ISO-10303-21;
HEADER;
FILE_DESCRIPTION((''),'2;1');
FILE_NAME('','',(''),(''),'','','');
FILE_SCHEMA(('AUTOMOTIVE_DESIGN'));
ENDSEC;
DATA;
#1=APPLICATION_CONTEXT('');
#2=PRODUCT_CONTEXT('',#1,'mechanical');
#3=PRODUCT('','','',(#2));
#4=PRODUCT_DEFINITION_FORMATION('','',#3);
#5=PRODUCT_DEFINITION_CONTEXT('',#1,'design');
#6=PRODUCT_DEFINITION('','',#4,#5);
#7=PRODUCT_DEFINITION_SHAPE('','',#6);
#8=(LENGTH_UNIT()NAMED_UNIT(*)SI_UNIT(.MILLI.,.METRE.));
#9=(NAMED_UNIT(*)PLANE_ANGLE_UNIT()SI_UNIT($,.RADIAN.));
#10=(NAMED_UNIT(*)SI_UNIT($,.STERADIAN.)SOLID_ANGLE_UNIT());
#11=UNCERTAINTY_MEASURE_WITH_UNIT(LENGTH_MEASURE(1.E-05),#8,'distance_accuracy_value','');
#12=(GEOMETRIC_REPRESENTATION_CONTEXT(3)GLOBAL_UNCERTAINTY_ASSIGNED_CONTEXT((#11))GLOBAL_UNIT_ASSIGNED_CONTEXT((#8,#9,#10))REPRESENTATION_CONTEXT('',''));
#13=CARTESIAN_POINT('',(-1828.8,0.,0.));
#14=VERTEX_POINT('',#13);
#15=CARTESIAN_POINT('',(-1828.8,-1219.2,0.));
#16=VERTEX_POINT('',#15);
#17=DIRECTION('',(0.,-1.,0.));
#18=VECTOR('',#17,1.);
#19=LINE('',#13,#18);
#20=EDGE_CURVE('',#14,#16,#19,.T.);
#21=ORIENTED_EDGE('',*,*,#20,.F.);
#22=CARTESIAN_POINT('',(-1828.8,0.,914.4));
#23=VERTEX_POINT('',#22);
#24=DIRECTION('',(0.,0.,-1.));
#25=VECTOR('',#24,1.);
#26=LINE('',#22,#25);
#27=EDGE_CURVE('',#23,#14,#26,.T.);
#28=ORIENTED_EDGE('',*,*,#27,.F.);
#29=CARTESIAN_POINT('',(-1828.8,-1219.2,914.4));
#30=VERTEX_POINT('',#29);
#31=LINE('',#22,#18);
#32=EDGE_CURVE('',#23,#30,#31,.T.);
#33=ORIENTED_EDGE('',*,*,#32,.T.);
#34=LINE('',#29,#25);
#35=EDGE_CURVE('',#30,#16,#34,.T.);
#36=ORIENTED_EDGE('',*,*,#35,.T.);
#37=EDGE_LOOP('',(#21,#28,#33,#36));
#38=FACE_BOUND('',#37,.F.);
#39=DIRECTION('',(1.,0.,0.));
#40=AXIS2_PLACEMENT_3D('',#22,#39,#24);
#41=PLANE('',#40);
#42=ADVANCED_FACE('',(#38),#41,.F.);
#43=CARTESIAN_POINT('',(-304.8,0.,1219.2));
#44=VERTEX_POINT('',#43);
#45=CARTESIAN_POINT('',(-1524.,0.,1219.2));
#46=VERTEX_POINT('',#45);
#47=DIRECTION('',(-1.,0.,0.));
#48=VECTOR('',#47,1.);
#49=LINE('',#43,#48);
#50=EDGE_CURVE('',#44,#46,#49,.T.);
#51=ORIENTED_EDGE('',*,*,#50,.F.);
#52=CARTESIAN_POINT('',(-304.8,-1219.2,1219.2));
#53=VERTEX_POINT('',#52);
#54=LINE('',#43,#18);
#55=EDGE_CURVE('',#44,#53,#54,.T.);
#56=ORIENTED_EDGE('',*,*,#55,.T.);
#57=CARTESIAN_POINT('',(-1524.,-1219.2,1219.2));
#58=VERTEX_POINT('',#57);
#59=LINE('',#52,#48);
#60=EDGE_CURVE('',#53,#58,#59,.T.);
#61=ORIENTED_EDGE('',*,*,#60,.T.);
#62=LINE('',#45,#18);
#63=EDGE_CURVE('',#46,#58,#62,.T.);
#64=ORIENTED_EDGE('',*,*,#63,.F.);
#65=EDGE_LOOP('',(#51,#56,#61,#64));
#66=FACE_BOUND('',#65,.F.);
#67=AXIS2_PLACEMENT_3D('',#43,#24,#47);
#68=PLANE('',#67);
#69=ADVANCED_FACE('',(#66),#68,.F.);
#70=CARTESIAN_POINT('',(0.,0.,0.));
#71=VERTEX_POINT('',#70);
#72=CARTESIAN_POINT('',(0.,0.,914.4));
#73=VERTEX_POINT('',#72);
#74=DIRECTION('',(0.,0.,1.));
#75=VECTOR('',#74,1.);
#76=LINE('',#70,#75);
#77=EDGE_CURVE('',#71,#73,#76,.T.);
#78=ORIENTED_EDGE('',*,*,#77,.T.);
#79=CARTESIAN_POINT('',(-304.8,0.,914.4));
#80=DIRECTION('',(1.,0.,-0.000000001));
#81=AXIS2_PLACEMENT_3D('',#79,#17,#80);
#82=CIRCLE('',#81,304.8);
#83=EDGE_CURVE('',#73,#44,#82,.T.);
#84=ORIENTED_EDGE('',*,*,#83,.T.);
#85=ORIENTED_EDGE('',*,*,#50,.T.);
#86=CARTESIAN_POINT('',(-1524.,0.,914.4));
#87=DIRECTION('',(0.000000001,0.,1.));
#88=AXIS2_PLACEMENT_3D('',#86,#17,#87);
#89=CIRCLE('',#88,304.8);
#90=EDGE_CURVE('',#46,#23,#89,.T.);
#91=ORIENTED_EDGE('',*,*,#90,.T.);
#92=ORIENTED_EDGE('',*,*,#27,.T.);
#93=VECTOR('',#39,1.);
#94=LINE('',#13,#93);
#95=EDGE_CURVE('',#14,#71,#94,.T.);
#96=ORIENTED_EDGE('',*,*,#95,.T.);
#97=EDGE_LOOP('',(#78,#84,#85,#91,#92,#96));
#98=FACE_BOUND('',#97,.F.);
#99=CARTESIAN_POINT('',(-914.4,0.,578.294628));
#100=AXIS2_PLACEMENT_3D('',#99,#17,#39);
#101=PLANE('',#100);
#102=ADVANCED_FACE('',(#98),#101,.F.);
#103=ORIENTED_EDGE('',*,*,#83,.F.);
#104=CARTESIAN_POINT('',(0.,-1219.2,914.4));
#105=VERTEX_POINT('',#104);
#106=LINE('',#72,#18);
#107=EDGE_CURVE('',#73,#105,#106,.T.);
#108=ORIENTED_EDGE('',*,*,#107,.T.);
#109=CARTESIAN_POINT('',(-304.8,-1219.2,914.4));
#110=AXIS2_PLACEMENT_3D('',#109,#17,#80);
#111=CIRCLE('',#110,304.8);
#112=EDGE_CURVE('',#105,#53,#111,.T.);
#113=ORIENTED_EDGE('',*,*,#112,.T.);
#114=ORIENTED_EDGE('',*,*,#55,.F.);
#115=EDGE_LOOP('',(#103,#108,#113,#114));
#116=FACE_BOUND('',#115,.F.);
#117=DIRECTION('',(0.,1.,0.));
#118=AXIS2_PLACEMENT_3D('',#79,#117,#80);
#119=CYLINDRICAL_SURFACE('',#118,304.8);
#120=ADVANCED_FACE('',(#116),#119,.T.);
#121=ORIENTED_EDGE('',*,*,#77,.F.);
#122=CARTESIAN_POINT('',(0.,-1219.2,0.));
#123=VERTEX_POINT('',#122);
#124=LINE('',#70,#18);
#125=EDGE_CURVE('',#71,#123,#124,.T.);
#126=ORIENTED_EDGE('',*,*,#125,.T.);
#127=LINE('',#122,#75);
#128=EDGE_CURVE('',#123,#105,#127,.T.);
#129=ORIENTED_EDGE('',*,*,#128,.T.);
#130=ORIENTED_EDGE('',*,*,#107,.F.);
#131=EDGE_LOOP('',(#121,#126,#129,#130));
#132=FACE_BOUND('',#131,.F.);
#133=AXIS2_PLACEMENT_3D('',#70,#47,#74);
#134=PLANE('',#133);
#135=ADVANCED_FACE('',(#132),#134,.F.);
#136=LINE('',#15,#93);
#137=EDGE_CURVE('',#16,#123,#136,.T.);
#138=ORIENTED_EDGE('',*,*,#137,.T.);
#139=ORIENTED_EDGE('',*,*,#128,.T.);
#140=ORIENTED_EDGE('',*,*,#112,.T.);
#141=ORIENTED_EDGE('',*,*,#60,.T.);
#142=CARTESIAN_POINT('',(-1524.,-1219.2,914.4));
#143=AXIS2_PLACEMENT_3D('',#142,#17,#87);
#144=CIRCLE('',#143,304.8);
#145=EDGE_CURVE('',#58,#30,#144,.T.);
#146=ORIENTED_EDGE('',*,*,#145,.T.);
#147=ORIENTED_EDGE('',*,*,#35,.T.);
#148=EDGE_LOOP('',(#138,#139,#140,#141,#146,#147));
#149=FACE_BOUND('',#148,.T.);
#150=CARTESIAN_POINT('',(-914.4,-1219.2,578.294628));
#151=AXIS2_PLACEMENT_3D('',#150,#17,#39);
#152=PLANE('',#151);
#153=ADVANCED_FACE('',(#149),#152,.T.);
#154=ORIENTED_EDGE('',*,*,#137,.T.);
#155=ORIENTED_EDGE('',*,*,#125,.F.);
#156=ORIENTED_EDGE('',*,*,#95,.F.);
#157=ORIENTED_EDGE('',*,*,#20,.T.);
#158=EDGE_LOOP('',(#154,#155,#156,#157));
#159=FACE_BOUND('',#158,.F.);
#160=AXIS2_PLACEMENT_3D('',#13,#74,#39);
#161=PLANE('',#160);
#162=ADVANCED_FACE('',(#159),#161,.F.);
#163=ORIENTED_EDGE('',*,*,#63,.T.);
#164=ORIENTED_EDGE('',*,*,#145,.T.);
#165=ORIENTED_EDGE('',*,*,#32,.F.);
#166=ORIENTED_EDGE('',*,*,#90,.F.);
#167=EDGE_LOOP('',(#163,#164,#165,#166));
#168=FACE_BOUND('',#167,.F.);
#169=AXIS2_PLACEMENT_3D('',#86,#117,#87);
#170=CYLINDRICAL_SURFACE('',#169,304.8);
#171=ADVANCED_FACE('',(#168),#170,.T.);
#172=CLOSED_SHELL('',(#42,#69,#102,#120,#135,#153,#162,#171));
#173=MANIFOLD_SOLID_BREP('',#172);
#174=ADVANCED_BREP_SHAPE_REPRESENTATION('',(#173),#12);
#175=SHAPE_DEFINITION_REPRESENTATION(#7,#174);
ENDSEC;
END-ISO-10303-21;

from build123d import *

# Parameters (mm, degrees)
F1_DEPTH = 1219.2


with BuildPart() as f1:
    # F0 (on Front) → F1 (new body)
    with BuildSketch(Plane.XZ):
        with BuildLine():
            Line((-1828.8, 0), (0, 0))
            Line((0, 0), (0, 914.4))
            ThreePointArc((0, 914.4), (-89.273853, 1129.926147), (-304.8, 1219.2))
            Line((-304.8, 1219.2), (-1524, 1219.2))
            ThreePointArc((-1524, 1219.2), (-1739.526147, 1129.926147), (-1828.8, 914.4))
            Line((-1828.8, 914.4), (-1828.8, 0))
        make_face()
    extrude(amount=F1_DEPTH)


solid = f1.part
